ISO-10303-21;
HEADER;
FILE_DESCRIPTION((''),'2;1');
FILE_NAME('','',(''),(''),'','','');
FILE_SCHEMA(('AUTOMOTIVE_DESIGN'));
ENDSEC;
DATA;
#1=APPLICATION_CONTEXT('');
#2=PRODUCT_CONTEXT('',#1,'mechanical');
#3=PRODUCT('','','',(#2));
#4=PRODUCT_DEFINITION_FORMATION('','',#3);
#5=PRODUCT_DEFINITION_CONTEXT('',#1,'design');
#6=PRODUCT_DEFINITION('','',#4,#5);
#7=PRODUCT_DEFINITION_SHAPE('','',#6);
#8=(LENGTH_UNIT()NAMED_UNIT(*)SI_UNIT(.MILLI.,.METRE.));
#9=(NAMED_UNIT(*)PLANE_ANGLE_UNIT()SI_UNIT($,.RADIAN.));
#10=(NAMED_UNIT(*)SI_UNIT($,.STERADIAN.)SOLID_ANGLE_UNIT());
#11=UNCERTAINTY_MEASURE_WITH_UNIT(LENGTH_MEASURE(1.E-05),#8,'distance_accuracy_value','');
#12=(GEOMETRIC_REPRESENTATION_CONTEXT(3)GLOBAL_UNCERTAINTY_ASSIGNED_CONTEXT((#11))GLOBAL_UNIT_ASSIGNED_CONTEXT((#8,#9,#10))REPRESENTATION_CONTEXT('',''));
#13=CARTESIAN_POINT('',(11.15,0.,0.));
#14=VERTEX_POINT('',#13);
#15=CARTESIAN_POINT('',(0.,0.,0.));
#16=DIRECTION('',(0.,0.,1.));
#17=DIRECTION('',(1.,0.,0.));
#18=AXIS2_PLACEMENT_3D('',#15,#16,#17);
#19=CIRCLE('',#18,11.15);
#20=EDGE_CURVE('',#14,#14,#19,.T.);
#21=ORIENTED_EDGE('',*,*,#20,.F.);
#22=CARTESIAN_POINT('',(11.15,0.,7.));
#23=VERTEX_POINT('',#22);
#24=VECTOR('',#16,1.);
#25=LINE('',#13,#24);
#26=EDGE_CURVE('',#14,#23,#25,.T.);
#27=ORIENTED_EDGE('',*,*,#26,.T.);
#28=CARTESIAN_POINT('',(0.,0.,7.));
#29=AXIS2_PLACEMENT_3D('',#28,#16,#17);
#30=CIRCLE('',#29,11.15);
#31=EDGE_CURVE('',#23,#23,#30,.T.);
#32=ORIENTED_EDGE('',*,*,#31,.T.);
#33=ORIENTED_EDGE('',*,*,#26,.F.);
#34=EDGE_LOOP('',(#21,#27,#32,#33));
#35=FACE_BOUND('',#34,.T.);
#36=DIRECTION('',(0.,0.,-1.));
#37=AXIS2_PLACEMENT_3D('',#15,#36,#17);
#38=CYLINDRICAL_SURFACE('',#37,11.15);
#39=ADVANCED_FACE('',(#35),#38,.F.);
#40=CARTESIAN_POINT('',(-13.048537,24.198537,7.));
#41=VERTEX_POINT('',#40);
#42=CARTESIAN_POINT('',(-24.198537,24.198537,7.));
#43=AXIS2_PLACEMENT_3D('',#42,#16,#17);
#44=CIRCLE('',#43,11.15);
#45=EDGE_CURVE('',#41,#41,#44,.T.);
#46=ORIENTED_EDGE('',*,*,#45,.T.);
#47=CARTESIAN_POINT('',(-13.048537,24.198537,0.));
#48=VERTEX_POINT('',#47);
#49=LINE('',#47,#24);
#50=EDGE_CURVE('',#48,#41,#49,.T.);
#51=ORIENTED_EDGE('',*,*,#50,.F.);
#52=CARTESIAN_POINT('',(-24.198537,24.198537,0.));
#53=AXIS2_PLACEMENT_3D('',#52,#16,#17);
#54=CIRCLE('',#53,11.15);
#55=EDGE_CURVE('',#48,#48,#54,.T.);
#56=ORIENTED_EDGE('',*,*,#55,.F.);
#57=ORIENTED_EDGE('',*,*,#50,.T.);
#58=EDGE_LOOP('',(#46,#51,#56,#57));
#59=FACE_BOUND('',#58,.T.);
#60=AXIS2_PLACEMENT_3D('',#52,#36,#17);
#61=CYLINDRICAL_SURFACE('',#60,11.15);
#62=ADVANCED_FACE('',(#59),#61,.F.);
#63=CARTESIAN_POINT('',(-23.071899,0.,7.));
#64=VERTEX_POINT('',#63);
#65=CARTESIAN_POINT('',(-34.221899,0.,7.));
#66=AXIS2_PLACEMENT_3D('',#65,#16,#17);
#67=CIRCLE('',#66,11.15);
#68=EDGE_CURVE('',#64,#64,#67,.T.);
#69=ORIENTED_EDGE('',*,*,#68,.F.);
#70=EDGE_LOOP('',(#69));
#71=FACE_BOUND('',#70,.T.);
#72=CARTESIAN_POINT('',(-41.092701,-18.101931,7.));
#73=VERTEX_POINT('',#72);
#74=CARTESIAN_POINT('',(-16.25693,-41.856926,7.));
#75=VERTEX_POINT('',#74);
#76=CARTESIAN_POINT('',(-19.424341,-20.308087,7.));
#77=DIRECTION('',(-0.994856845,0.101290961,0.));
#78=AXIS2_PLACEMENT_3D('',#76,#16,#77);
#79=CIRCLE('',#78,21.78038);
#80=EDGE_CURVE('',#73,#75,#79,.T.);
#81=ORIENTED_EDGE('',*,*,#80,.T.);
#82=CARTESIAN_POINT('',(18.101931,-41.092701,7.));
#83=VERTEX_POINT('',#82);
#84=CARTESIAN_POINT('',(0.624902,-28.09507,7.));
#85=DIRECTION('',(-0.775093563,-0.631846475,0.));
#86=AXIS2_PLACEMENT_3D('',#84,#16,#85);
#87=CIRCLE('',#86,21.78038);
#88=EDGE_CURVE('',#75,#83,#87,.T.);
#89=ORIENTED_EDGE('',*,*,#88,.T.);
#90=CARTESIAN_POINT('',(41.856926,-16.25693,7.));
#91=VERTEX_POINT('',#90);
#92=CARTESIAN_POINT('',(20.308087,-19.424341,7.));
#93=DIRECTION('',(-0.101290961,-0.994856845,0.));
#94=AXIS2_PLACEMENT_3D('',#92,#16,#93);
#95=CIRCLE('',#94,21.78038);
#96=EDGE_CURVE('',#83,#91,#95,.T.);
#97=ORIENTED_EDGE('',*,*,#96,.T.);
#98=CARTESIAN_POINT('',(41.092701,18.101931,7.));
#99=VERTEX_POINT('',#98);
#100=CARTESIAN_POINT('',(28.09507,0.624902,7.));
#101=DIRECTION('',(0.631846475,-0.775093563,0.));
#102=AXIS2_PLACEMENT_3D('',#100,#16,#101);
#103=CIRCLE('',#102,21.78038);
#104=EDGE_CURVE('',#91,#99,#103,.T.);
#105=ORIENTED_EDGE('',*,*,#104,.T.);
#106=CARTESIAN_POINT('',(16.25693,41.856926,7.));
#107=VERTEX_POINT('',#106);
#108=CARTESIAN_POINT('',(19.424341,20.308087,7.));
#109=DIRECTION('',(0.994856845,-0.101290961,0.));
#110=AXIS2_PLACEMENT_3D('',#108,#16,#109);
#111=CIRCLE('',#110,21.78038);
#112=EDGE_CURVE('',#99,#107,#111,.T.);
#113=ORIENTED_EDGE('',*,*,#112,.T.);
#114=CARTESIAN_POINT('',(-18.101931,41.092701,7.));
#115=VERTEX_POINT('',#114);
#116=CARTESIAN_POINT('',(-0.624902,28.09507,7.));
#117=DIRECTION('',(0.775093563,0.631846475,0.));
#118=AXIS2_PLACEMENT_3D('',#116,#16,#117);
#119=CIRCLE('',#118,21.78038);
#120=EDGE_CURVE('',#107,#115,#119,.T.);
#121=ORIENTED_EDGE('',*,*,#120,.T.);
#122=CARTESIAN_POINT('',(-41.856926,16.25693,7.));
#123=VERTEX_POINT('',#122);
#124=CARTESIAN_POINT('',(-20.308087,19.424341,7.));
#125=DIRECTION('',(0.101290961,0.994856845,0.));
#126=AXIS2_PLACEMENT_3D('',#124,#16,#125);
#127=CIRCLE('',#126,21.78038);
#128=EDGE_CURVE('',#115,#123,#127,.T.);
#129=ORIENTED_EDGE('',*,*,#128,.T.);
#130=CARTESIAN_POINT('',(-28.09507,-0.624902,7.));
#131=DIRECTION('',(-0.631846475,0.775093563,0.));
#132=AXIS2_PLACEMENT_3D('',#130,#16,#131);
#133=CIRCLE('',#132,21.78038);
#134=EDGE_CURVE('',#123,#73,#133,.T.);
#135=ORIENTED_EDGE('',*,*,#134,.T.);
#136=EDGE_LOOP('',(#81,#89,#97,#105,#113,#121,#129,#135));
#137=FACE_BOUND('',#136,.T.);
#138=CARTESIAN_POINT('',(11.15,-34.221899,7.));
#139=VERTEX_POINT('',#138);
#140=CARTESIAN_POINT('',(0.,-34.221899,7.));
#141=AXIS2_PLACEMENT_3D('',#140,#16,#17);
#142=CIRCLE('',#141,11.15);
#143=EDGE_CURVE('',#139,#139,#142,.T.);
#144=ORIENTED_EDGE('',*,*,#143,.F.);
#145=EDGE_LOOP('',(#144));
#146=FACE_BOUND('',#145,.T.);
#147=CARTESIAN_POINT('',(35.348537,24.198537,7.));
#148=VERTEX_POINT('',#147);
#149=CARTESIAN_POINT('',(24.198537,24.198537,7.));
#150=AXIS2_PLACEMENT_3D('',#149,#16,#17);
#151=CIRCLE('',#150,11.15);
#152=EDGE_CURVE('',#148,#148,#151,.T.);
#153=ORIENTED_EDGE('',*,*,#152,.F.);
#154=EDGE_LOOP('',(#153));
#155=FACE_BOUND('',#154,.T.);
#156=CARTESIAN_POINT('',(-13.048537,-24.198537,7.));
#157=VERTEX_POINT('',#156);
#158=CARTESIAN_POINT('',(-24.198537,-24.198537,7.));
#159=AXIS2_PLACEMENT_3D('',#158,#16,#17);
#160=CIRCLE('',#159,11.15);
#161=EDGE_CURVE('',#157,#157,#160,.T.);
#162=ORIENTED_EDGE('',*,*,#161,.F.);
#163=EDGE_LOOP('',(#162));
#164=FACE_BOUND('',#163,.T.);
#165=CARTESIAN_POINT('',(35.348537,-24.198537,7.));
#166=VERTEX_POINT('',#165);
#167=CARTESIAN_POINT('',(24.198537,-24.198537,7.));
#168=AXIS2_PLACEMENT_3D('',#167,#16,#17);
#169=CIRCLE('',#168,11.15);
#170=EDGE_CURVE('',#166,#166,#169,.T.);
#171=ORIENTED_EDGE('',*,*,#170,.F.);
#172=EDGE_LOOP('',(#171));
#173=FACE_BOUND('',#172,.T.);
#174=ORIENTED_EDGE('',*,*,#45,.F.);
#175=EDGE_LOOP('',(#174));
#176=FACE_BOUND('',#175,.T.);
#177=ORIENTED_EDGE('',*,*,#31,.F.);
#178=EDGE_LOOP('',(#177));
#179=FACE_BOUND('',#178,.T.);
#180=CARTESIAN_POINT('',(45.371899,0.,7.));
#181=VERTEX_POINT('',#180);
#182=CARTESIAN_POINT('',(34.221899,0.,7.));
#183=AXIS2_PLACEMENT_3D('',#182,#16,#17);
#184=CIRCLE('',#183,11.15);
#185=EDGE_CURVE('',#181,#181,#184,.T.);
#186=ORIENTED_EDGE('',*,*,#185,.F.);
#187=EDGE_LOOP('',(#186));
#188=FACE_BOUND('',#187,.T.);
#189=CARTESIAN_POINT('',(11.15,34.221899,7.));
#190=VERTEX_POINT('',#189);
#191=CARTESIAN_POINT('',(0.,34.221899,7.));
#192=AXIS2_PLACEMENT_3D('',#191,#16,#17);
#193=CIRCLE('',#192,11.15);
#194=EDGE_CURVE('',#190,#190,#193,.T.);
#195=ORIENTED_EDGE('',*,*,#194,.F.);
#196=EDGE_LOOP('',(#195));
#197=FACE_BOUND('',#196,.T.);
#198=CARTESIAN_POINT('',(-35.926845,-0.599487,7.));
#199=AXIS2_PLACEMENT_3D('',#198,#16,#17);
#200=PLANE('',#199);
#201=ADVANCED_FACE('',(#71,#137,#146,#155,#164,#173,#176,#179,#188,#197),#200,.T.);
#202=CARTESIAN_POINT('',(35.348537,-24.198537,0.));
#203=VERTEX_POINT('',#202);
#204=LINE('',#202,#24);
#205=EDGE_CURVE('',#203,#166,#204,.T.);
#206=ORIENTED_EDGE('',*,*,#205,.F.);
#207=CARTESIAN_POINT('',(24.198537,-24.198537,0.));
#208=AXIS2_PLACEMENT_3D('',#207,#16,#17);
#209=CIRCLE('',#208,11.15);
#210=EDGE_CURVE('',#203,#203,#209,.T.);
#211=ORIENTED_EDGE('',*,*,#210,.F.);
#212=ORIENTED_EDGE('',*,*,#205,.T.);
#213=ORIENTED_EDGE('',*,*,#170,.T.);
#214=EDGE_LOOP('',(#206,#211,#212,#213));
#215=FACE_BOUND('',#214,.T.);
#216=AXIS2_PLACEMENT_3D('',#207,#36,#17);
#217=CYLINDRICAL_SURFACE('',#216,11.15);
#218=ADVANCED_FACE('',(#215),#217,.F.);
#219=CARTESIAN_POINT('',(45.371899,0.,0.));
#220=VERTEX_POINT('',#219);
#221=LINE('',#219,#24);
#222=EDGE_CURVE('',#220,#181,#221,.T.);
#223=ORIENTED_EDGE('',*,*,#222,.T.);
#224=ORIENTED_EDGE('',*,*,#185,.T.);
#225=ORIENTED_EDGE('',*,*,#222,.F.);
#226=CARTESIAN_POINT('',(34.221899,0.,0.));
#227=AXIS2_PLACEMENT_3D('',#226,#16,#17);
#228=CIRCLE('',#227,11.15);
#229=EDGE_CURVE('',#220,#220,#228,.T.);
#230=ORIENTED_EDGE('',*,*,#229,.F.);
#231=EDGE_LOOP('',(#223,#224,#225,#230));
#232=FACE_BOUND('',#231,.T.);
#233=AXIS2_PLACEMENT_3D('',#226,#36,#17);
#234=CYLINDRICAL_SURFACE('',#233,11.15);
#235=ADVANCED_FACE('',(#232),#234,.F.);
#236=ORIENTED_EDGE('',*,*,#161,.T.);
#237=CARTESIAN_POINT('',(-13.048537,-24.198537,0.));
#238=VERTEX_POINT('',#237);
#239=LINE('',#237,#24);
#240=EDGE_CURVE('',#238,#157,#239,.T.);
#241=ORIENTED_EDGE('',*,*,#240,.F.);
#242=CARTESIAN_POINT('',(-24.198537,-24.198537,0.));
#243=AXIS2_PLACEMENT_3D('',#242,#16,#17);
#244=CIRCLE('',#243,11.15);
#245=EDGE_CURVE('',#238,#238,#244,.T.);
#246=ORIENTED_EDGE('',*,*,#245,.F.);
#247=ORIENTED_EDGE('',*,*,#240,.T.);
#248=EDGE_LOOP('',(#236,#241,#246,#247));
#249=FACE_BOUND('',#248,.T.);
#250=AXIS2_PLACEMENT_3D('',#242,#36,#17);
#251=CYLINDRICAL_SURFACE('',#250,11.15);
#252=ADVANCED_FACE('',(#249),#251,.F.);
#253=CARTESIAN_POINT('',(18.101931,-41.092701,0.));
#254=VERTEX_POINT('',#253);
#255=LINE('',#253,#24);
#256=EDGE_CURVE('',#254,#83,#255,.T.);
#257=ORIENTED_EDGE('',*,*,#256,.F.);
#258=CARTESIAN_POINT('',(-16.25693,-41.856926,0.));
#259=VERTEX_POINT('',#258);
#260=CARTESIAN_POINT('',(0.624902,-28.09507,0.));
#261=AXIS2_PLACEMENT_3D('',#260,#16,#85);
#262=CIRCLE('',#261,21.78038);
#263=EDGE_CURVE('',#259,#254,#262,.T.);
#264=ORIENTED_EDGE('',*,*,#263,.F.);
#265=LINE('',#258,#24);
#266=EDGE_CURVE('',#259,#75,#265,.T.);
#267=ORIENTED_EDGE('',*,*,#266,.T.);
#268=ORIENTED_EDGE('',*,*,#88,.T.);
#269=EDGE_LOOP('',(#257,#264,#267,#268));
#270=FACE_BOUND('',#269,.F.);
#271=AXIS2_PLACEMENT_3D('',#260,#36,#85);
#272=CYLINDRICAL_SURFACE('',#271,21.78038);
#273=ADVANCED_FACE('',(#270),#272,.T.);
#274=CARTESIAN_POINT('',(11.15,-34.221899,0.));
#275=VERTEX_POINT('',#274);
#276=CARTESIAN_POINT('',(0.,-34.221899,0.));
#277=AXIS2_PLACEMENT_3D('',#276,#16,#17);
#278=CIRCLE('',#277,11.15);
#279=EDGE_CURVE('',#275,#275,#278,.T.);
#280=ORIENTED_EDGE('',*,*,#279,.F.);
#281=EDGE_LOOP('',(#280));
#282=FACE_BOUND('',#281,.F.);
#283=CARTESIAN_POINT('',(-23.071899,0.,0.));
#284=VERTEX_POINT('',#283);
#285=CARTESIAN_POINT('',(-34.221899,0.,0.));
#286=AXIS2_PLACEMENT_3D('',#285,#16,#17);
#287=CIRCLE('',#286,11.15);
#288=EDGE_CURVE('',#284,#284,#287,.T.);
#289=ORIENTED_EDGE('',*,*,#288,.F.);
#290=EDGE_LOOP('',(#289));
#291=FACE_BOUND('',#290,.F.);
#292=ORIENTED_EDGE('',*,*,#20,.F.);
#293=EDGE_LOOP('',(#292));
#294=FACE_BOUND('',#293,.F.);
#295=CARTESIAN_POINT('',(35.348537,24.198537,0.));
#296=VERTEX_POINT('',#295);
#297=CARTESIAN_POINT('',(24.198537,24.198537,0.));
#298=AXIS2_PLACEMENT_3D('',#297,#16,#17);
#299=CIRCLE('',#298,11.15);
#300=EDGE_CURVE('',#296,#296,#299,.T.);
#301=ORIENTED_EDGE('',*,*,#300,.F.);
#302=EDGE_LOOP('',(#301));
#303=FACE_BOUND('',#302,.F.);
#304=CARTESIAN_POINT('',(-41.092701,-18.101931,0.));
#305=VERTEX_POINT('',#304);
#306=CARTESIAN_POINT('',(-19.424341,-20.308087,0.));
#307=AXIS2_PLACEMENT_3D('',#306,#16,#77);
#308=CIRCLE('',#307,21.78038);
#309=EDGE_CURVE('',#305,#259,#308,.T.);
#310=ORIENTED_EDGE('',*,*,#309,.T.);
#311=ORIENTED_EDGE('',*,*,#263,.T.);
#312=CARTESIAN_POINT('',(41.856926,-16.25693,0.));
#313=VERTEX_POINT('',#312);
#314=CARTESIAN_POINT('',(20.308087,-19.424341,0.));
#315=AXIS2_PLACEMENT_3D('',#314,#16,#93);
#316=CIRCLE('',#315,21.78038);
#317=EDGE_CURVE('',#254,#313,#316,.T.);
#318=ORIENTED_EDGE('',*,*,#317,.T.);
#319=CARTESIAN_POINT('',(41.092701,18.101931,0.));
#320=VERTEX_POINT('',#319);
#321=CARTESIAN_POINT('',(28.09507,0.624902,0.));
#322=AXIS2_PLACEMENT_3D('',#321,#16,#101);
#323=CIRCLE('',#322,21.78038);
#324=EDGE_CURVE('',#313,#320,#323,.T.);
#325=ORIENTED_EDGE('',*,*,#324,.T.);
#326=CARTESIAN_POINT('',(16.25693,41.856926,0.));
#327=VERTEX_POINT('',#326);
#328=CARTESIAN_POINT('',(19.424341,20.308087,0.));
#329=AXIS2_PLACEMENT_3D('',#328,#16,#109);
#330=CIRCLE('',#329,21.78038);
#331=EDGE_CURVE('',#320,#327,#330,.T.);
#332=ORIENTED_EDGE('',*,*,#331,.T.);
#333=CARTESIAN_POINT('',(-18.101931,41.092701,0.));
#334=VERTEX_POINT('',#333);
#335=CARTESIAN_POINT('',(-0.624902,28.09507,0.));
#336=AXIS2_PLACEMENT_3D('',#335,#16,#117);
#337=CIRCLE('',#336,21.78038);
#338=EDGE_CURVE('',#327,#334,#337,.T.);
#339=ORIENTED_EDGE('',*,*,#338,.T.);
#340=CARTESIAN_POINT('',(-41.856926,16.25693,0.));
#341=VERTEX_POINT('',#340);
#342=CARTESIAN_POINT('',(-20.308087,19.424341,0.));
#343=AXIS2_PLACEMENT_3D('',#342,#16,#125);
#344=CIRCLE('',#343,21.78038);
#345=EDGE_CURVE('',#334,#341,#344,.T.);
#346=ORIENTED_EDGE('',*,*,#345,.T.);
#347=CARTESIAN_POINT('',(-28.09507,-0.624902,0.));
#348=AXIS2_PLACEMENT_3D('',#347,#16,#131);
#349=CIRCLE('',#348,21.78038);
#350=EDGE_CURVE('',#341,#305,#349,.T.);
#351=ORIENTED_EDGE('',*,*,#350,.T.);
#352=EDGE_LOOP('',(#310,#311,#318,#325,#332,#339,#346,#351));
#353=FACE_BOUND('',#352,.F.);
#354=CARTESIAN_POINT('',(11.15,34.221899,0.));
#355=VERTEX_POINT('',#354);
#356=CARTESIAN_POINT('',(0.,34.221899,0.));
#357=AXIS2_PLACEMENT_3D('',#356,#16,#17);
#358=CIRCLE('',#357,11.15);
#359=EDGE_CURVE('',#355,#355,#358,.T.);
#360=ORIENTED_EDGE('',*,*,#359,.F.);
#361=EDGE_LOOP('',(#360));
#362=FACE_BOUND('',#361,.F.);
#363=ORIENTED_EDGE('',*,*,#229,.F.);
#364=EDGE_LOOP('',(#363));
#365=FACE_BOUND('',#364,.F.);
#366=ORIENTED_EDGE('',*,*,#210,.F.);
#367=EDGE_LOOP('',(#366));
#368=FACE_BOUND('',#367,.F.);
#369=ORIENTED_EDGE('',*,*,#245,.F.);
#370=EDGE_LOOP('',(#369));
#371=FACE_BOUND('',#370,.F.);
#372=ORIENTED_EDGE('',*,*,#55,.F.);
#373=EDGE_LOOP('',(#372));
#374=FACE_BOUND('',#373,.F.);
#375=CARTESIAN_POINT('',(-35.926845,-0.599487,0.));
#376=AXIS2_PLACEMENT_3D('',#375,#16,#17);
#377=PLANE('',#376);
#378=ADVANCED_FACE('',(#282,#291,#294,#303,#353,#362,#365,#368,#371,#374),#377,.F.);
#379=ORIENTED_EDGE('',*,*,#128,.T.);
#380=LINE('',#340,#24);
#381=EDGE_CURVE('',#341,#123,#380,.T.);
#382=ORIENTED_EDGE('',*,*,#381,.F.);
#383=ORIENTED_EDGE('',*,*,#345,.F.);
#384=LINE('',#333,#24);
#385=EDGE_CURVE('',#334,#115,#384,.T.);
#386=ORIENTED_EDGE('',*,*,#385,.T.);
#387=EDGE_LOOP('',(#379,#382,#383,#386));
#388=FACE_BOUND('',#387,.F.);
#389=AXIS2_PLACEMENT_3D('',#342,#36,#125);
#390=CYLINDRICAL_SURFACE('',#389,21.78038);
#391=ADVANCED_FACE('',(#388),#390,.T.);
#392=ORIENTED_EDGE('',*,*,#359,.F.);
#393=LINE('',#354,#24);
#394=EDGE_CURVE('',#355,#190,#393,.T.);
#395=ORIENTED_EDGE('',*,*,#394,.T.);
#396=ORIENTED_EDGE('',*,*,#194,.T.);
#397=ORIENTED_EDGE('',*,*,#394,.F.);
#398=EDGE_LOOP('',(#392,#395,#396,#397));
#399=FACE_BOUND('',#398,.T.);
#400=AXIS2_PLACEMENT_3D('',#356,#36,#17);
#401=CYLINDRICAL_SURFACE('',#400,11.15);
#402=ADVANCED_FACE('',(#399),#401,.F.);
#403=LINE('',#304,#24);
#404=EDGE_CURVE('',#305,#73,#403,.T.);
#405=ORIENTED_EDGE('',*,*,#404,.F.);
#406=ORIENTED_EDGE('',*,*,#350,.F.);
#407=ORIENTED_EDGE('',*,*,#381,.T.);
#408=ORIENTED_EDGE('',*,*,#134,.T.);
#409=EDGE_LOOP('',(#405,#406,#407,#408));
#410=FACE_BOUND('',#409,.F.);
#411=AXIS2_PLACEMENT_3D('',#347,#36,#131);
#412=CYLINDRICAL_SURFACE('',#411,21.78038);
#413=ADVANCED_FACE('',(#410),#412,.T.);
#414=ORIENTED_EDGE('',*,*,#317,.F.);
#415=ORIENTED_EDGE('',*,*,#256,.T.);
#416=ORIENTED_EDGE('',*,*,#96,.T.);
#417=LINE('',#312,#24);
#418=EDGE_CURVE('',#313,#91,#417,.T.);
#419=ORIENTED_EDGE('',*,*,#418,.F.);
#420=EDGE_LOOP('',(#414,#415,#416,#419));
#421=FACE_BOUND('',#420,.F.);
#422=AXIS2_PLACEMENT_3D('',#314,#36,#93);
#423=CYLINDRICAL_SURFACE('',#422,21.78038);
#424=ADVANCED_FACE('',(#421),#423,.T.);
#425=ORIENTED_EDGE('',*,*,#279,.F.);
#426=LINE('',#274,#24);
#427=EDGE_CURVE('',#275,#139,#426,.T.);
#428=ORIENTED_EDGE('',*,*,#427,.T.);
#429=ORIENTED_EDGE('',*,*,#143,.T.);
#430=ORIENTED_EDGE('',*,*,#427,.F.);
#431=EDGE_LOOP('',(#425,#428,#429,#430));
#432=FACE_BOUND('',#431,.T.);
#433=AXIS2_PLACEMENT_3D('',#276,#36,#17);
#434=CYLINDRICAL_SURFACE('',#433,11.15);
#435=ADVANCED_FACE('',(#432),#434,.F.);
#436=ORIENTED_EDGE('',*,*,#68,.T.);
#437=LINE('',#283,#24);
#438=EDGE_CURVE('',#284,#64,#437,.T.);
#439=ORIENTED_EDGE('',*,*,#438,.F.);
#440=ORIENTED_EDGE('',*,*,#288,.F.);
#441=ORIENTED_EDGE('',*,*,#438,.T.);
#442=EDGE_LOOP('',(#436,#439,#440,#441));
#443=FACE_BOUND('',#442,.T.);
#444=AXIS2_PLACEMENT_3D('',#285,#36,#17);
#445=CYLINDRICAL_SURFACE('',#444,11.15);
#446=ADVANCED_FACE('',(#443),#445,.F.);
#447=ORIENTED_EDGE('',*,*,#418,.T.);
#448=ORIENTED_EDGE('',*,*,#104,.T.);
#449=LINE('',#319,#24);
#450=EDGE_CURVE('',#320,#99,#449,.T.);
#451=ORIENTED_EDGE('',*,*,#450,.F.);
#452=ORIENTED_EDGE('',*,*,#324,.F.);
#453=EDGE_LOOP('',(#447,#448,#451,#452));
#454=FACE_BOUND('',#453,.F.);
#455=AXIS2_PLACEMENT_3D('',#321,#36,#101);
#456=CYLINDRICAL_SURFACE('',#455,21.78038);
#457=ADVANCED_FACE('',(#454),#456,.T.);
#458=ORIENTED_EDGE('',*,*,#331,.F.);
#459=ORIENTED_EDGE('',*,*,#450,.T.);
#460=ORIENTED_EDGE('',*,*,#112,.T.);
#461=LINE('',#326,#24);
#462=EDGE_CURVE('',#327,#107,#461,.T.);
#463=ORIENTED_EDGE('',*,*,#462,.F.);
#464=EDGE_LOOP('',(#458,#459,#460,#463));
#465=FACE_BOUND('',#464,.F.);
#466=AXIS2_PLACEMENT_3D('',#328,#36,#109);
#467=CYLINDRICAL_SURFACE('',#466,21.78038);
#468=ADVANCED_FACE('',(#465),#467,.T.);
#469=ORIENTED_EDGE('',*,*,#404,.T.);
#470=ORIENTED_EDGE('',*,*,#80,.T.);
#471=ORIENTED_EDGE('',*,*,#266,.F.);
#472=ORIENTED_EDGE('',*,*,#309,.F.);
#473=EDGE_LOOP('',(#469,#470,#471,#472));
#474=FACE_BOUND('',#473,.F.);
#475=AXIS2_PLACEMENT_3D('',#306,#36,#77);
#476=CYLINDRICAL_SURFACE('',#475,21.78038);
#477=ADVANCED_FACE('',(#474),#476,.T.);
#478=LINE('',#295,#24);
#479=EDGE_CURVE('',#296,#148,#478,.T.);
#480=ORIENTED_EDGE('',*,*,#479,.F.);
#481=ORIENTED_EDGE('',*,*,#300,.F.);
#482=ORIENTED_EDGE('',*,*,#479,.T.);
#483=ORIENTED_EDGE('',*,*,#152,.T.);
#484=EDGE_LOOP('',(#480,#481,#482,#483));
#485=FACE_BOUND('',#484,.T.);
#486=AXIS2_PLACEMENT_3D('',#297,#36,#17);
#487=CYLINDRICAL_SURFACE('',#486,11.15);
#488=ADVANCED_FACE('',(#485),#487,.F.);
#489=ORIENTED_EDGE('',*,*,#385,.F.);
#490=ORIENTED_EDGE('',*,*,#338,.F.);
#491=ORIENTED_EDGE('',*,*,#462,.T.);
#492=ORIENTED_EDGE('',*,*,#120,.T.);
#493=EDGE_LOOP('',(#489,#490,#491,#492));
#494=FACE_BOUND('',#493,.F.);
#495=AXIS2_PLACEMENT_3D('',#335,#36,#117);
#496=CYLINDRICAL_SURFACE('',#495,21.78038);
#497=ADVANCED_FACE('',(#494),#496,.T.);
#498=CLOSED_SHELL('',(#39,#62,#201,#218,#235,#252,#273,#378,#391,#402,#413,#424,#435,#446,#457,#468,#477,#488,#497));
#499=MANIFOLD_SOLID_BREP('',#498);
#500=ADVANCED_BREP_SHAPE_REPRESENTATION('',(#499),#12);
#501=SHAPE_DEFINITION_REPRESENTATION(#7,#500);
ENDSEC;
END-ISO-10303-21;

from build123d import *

# Parameters (mm, degrees)
F0_R     = 11.15
F1_DEPTH = 7


with BuildPart() as f1:
    # F0 (on Top) → F1 (new body)
    with BuildSketch(Plane.XY):
        with BuildLine():
            Line((-41.092701, -18.101931), (-22.594379, -9.358898))
            Line((-22.594379, -9.358898), (-22.594379, 9.358898))
            Line((-22.594379, 9.358898), (-41.856926, 16.25693))
            ThreePointArc((-41.856926, 16.25693), (-49.870064, -1.109231), (-41.092701, -18.101931))
        make_face()
        with Locations((-34.221899, 0)):
            Circle(F0_R, mode=Mode.SUBTRACT)
        with BuildLine():
            Line((-9.358898, -22.594379), (-22.594379, -9.358898))
            Line((-22.594379, -9.358898), (-41.092701, -18.101931))
            ThreePointArc((-41.092701, -18.101931), (-34.479115, -36.047805), (-16.25693, -41.856926))
            Line((-16.25693, -41.856926), (-9.358898, -22.594379))
        make_face()
        with Locations((-24.198537, -24.198537)):
            Circle(F0_R, mode=Mode.SUBTRACT)
        with BuildLine():
            Line((-41.856926, 16.25693), (-22.594379, 9.358898))
            Line((-22.594379, 9.358898), (-9.358898, 22.594379))
            Line((-9.358898, 22.594379), (-18.101931, 41.092701))
            ThreePointArc((-18.101931, 41.092701), (-36.047805, 34.479115), (-41.856926, 16.25693))
        make_face()
        with Locations((-24.198537, 24.198537)):
            Circle(F0_R, mode=Mode.SUBTRACT)
        with BuildLine():
            Line((9.358898, -22.594379), (-9.358898, -22.594379))
            Line((-9.358898, -22.594379), (-16.25693, -41.856926))
            ThreePointArc((-16.25693, -41.856926), (1.109231, -49.870064), (18.101931, -41.092701))
            Line((18.101931, -41.092701), (9.358898, -22.594379))
        make_face()
        with Locations((0, -34.221899)):
            Circle(F0_R, mode=Mode.SUBTRACT)
        with BuildLine():
            Line((-18.101931, 41.092701), (-9.358898, 22.594379))
            Line((-9.358898, 22.594379), (9.358898, 22.594379))
            Line((9.358898, 22.594379), (16.25693, 41.856926))
            ThreePointArc((16.25693, 41.856926), (-1.109231, 49.870064), (-18.101931, 41.092701))
        make_face()
        with Locations((0, 34.221899)):
            Circle(F0_R, mode=Mode.SUBTRACT)
        with BuildLine():
            Line((22.594379, -9.358898), (9.358898, -22.594379))
            Line((9.358898, -22.594379), (18.101931, -41.092701))
            ThreePointArc((18.101931, -41.092701), (36.047805, -34.479115), (41.856926, -16.25693))
            Line((41.856926, -16.25693), (22.594379, -9.358898))
        make_face()
        with Locations((24.198537, -24.198537)):
            Circle(F0_R, mode=Mode.SUBTRACT)
        with BuildLine():
            Line((16.25693, 41.856926), (9.358898, 22.594379))
            Line((9.358898, 22.594379), (22.594379, 9.358898))
            Line((22.594379, 9.358898), (41.092701, 18.101931))
            ThreePointArc((41.092701, 18.101931), (34.479115, 36.047805), (16.25693, 41.856926))
        make_face()
        with Locations((24.198537, 24.198537)):
            Circle(F0_R, mode=Mode.SUBTRACT)
        with BuildLine():
            Line((22.594379, 9.358898), (22.594379, -9.358898))
            Line((22.594379, -9.358898), (41.856926, -16.25693))
            ThreePointArc((41.856926, -16.25693), (49.870064, 1.109231), (41.092701, 18.101931))
            Line((41.092701, 18.101931), (22.594379, 9.358898))
        make_face()
        with Locations((34.221899, 0)):
            Circle(F0_R, mode=Mode.SUBTRACT)
        Polygon((-22.594379, 9.358898), (-22.594379, -9.358898), (-9.358898, -22.594379), (9.358898, -22.594379), (22.594379, -9.358898), (22.594379, 9.358898), (9.358898, 22.594379), (-9.358898, 22.594379), align=None)
        Circle(F0_R, mode=Mode.SUBTRACT)
    extrude(amount=F1_DEPTH)


solid = f1.part
